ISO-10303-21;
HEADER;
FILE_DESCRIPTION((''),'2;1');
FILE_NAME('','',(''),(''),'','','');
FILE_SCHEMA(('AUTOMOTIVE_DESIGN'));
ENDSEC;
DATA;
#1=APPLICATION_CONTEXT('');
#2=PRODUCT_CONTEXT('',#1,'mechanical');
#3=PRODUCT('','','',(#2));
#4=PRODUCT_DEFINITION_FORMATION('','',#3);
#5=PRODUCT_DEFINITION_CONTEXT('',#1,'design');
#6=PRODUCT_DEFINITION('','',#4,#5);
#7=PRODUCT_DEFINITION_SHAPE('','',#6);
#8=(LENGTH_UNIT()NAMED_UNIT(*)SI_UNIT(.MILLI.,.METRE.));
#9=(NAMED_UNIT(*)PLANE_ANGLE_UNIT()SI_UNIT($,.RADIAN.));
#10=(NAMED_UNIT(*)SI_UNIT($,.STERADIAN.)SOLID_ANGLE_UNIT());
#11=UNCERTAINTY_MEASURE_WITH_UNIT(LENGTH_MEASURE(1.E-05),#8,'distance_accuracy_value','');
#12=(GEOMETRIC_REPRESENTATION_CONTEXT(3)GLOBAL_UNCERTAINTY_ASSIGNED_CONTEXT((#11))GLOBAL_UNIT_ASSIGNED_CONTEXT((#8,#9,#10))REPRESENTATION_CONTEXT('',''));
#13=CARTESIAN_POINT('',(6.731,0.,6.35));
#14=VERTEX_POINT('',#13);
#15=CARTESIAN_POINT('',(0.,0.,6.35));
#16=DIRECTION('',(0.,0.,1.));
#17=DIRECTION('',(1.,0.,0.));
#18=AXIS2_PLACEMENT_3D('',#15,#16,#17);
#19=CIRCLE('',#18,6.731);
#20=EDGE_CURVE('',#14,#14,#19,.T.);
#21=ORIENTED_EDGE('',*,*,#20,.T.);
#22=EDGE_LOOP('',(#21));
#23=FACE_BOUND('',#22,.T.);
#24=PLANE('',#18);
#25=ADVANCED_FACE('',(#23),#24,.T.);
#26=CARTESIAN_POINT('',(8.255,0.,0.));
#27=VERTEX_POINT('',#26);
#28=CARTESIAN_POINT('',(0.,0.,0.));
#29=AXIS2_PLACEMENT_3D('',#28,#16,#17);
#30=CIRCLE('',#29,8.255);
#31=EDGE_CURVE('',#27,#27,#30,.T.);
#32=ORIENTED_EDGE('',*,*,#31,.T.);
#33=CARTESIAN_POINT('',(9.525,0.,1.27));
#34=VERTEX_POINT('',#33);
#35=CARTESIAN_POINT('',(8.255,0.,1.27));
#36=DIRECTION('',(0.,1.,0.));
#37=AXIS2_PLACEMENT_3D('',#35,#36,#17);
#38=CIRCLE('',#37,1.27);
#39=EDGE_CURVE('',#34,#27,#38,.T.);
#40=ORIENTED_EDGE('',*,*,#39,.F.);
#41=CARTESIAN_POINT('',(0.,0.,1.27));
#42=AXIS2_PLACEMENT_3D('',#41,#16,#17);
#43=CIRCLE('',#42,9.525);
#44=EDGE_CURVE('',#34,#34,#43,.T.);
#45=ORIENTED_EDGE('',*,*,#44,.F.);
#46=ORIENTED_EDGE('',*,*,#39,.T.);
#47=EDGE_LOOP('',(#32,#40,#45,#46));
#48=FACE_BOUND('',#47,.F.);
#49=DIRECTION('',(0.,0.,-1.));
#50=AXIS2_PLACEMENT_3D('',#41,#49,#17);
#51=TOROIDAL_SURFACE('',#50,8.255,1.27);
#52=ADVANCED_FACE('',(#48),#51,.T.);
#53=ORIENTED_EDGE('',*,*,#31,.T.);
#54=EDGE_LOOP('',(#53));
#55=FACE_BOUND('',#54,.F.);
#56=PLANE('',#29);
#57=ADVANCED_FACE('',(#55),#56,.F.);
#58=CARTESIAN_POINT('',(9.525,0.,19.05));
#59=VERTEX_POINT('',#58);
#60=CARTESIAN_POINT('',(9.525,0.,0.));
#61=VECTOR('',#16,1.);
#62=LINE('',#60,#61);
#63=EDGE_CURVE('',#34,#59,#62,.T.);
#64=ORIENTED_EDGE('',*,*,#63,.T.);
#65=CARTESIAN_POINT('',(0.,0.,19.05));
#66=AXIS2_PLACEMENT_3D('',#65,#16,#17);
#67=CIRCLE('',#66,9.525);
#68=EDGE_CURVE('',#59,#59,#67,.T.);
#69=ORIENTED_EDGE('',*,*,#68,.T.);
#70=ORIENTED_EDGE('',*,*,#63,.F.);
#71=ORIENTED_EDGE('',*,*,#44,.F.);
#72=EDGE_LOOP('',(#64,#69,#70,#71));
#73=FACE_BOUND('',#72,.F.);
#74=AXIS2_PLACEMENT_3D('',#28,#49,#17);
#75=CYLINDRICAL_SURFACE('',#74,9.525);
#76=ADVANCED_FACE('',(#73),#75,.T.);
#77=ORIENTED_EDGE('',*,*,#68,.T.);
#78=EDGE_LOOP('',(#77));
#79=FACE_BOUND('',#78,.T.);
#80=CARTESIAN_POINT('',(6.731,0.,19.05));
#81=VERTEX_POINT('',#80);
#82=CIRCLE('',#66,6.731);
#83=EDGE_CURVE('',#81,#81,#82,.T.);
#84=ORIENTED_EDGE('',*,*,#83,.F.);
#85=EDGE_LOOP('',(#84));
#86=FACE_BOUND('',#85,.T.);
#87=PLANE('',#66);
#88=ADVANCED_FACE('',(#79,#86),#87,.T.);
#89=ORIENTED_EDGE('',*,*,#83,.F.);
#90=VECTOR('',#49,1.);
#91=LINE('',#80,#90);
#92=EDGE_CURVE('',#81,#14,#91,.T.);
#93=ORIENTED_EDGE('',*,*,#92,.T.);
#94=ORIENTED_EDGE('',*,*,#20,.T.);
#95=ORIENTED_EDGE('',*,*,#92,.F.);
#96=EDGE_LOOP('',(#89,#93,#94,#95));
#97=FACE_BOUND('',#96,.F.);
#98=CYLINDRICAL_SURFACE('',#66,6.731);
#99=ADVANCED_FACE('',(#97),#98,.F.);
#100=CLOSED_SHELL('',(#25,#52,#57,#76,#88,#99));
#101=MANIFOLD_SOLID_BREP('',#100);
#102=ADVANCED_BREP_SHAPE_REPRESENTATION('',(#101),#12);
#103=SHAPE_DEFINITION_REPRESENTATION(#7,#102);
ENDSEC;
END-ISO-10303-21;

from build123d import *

# Parameters (mm, degrees)
F0_R     = 9.525
F1_DEPTH = 19.05
F2_R     = 6.731
F3_DEPTH = 12.7
F4_R     = 1.27


with BuildPart() as f1:
    # F0 (on Top) → F1 (new body)
    with BuildSketch(Plane.XY):
        Circle(F0_R)
    extrude(amount=F1_DEPTH)

    # F2 (on face) → F3 (cut)
    with BuildSketch(Plane.XY.offset(19.05)):
        Circle(F2_R)
    extrude(amount=-F3_DEPTH, mode=Mode.SUBTRACT)

    # F4
    f4_edges = [f1.edges().sort_by_distance(p)[0] for p in [
        (-9.525, 0, 0),
    ]]
    fillet(f4_edges, radius=F4_R)


solid = f1.part
